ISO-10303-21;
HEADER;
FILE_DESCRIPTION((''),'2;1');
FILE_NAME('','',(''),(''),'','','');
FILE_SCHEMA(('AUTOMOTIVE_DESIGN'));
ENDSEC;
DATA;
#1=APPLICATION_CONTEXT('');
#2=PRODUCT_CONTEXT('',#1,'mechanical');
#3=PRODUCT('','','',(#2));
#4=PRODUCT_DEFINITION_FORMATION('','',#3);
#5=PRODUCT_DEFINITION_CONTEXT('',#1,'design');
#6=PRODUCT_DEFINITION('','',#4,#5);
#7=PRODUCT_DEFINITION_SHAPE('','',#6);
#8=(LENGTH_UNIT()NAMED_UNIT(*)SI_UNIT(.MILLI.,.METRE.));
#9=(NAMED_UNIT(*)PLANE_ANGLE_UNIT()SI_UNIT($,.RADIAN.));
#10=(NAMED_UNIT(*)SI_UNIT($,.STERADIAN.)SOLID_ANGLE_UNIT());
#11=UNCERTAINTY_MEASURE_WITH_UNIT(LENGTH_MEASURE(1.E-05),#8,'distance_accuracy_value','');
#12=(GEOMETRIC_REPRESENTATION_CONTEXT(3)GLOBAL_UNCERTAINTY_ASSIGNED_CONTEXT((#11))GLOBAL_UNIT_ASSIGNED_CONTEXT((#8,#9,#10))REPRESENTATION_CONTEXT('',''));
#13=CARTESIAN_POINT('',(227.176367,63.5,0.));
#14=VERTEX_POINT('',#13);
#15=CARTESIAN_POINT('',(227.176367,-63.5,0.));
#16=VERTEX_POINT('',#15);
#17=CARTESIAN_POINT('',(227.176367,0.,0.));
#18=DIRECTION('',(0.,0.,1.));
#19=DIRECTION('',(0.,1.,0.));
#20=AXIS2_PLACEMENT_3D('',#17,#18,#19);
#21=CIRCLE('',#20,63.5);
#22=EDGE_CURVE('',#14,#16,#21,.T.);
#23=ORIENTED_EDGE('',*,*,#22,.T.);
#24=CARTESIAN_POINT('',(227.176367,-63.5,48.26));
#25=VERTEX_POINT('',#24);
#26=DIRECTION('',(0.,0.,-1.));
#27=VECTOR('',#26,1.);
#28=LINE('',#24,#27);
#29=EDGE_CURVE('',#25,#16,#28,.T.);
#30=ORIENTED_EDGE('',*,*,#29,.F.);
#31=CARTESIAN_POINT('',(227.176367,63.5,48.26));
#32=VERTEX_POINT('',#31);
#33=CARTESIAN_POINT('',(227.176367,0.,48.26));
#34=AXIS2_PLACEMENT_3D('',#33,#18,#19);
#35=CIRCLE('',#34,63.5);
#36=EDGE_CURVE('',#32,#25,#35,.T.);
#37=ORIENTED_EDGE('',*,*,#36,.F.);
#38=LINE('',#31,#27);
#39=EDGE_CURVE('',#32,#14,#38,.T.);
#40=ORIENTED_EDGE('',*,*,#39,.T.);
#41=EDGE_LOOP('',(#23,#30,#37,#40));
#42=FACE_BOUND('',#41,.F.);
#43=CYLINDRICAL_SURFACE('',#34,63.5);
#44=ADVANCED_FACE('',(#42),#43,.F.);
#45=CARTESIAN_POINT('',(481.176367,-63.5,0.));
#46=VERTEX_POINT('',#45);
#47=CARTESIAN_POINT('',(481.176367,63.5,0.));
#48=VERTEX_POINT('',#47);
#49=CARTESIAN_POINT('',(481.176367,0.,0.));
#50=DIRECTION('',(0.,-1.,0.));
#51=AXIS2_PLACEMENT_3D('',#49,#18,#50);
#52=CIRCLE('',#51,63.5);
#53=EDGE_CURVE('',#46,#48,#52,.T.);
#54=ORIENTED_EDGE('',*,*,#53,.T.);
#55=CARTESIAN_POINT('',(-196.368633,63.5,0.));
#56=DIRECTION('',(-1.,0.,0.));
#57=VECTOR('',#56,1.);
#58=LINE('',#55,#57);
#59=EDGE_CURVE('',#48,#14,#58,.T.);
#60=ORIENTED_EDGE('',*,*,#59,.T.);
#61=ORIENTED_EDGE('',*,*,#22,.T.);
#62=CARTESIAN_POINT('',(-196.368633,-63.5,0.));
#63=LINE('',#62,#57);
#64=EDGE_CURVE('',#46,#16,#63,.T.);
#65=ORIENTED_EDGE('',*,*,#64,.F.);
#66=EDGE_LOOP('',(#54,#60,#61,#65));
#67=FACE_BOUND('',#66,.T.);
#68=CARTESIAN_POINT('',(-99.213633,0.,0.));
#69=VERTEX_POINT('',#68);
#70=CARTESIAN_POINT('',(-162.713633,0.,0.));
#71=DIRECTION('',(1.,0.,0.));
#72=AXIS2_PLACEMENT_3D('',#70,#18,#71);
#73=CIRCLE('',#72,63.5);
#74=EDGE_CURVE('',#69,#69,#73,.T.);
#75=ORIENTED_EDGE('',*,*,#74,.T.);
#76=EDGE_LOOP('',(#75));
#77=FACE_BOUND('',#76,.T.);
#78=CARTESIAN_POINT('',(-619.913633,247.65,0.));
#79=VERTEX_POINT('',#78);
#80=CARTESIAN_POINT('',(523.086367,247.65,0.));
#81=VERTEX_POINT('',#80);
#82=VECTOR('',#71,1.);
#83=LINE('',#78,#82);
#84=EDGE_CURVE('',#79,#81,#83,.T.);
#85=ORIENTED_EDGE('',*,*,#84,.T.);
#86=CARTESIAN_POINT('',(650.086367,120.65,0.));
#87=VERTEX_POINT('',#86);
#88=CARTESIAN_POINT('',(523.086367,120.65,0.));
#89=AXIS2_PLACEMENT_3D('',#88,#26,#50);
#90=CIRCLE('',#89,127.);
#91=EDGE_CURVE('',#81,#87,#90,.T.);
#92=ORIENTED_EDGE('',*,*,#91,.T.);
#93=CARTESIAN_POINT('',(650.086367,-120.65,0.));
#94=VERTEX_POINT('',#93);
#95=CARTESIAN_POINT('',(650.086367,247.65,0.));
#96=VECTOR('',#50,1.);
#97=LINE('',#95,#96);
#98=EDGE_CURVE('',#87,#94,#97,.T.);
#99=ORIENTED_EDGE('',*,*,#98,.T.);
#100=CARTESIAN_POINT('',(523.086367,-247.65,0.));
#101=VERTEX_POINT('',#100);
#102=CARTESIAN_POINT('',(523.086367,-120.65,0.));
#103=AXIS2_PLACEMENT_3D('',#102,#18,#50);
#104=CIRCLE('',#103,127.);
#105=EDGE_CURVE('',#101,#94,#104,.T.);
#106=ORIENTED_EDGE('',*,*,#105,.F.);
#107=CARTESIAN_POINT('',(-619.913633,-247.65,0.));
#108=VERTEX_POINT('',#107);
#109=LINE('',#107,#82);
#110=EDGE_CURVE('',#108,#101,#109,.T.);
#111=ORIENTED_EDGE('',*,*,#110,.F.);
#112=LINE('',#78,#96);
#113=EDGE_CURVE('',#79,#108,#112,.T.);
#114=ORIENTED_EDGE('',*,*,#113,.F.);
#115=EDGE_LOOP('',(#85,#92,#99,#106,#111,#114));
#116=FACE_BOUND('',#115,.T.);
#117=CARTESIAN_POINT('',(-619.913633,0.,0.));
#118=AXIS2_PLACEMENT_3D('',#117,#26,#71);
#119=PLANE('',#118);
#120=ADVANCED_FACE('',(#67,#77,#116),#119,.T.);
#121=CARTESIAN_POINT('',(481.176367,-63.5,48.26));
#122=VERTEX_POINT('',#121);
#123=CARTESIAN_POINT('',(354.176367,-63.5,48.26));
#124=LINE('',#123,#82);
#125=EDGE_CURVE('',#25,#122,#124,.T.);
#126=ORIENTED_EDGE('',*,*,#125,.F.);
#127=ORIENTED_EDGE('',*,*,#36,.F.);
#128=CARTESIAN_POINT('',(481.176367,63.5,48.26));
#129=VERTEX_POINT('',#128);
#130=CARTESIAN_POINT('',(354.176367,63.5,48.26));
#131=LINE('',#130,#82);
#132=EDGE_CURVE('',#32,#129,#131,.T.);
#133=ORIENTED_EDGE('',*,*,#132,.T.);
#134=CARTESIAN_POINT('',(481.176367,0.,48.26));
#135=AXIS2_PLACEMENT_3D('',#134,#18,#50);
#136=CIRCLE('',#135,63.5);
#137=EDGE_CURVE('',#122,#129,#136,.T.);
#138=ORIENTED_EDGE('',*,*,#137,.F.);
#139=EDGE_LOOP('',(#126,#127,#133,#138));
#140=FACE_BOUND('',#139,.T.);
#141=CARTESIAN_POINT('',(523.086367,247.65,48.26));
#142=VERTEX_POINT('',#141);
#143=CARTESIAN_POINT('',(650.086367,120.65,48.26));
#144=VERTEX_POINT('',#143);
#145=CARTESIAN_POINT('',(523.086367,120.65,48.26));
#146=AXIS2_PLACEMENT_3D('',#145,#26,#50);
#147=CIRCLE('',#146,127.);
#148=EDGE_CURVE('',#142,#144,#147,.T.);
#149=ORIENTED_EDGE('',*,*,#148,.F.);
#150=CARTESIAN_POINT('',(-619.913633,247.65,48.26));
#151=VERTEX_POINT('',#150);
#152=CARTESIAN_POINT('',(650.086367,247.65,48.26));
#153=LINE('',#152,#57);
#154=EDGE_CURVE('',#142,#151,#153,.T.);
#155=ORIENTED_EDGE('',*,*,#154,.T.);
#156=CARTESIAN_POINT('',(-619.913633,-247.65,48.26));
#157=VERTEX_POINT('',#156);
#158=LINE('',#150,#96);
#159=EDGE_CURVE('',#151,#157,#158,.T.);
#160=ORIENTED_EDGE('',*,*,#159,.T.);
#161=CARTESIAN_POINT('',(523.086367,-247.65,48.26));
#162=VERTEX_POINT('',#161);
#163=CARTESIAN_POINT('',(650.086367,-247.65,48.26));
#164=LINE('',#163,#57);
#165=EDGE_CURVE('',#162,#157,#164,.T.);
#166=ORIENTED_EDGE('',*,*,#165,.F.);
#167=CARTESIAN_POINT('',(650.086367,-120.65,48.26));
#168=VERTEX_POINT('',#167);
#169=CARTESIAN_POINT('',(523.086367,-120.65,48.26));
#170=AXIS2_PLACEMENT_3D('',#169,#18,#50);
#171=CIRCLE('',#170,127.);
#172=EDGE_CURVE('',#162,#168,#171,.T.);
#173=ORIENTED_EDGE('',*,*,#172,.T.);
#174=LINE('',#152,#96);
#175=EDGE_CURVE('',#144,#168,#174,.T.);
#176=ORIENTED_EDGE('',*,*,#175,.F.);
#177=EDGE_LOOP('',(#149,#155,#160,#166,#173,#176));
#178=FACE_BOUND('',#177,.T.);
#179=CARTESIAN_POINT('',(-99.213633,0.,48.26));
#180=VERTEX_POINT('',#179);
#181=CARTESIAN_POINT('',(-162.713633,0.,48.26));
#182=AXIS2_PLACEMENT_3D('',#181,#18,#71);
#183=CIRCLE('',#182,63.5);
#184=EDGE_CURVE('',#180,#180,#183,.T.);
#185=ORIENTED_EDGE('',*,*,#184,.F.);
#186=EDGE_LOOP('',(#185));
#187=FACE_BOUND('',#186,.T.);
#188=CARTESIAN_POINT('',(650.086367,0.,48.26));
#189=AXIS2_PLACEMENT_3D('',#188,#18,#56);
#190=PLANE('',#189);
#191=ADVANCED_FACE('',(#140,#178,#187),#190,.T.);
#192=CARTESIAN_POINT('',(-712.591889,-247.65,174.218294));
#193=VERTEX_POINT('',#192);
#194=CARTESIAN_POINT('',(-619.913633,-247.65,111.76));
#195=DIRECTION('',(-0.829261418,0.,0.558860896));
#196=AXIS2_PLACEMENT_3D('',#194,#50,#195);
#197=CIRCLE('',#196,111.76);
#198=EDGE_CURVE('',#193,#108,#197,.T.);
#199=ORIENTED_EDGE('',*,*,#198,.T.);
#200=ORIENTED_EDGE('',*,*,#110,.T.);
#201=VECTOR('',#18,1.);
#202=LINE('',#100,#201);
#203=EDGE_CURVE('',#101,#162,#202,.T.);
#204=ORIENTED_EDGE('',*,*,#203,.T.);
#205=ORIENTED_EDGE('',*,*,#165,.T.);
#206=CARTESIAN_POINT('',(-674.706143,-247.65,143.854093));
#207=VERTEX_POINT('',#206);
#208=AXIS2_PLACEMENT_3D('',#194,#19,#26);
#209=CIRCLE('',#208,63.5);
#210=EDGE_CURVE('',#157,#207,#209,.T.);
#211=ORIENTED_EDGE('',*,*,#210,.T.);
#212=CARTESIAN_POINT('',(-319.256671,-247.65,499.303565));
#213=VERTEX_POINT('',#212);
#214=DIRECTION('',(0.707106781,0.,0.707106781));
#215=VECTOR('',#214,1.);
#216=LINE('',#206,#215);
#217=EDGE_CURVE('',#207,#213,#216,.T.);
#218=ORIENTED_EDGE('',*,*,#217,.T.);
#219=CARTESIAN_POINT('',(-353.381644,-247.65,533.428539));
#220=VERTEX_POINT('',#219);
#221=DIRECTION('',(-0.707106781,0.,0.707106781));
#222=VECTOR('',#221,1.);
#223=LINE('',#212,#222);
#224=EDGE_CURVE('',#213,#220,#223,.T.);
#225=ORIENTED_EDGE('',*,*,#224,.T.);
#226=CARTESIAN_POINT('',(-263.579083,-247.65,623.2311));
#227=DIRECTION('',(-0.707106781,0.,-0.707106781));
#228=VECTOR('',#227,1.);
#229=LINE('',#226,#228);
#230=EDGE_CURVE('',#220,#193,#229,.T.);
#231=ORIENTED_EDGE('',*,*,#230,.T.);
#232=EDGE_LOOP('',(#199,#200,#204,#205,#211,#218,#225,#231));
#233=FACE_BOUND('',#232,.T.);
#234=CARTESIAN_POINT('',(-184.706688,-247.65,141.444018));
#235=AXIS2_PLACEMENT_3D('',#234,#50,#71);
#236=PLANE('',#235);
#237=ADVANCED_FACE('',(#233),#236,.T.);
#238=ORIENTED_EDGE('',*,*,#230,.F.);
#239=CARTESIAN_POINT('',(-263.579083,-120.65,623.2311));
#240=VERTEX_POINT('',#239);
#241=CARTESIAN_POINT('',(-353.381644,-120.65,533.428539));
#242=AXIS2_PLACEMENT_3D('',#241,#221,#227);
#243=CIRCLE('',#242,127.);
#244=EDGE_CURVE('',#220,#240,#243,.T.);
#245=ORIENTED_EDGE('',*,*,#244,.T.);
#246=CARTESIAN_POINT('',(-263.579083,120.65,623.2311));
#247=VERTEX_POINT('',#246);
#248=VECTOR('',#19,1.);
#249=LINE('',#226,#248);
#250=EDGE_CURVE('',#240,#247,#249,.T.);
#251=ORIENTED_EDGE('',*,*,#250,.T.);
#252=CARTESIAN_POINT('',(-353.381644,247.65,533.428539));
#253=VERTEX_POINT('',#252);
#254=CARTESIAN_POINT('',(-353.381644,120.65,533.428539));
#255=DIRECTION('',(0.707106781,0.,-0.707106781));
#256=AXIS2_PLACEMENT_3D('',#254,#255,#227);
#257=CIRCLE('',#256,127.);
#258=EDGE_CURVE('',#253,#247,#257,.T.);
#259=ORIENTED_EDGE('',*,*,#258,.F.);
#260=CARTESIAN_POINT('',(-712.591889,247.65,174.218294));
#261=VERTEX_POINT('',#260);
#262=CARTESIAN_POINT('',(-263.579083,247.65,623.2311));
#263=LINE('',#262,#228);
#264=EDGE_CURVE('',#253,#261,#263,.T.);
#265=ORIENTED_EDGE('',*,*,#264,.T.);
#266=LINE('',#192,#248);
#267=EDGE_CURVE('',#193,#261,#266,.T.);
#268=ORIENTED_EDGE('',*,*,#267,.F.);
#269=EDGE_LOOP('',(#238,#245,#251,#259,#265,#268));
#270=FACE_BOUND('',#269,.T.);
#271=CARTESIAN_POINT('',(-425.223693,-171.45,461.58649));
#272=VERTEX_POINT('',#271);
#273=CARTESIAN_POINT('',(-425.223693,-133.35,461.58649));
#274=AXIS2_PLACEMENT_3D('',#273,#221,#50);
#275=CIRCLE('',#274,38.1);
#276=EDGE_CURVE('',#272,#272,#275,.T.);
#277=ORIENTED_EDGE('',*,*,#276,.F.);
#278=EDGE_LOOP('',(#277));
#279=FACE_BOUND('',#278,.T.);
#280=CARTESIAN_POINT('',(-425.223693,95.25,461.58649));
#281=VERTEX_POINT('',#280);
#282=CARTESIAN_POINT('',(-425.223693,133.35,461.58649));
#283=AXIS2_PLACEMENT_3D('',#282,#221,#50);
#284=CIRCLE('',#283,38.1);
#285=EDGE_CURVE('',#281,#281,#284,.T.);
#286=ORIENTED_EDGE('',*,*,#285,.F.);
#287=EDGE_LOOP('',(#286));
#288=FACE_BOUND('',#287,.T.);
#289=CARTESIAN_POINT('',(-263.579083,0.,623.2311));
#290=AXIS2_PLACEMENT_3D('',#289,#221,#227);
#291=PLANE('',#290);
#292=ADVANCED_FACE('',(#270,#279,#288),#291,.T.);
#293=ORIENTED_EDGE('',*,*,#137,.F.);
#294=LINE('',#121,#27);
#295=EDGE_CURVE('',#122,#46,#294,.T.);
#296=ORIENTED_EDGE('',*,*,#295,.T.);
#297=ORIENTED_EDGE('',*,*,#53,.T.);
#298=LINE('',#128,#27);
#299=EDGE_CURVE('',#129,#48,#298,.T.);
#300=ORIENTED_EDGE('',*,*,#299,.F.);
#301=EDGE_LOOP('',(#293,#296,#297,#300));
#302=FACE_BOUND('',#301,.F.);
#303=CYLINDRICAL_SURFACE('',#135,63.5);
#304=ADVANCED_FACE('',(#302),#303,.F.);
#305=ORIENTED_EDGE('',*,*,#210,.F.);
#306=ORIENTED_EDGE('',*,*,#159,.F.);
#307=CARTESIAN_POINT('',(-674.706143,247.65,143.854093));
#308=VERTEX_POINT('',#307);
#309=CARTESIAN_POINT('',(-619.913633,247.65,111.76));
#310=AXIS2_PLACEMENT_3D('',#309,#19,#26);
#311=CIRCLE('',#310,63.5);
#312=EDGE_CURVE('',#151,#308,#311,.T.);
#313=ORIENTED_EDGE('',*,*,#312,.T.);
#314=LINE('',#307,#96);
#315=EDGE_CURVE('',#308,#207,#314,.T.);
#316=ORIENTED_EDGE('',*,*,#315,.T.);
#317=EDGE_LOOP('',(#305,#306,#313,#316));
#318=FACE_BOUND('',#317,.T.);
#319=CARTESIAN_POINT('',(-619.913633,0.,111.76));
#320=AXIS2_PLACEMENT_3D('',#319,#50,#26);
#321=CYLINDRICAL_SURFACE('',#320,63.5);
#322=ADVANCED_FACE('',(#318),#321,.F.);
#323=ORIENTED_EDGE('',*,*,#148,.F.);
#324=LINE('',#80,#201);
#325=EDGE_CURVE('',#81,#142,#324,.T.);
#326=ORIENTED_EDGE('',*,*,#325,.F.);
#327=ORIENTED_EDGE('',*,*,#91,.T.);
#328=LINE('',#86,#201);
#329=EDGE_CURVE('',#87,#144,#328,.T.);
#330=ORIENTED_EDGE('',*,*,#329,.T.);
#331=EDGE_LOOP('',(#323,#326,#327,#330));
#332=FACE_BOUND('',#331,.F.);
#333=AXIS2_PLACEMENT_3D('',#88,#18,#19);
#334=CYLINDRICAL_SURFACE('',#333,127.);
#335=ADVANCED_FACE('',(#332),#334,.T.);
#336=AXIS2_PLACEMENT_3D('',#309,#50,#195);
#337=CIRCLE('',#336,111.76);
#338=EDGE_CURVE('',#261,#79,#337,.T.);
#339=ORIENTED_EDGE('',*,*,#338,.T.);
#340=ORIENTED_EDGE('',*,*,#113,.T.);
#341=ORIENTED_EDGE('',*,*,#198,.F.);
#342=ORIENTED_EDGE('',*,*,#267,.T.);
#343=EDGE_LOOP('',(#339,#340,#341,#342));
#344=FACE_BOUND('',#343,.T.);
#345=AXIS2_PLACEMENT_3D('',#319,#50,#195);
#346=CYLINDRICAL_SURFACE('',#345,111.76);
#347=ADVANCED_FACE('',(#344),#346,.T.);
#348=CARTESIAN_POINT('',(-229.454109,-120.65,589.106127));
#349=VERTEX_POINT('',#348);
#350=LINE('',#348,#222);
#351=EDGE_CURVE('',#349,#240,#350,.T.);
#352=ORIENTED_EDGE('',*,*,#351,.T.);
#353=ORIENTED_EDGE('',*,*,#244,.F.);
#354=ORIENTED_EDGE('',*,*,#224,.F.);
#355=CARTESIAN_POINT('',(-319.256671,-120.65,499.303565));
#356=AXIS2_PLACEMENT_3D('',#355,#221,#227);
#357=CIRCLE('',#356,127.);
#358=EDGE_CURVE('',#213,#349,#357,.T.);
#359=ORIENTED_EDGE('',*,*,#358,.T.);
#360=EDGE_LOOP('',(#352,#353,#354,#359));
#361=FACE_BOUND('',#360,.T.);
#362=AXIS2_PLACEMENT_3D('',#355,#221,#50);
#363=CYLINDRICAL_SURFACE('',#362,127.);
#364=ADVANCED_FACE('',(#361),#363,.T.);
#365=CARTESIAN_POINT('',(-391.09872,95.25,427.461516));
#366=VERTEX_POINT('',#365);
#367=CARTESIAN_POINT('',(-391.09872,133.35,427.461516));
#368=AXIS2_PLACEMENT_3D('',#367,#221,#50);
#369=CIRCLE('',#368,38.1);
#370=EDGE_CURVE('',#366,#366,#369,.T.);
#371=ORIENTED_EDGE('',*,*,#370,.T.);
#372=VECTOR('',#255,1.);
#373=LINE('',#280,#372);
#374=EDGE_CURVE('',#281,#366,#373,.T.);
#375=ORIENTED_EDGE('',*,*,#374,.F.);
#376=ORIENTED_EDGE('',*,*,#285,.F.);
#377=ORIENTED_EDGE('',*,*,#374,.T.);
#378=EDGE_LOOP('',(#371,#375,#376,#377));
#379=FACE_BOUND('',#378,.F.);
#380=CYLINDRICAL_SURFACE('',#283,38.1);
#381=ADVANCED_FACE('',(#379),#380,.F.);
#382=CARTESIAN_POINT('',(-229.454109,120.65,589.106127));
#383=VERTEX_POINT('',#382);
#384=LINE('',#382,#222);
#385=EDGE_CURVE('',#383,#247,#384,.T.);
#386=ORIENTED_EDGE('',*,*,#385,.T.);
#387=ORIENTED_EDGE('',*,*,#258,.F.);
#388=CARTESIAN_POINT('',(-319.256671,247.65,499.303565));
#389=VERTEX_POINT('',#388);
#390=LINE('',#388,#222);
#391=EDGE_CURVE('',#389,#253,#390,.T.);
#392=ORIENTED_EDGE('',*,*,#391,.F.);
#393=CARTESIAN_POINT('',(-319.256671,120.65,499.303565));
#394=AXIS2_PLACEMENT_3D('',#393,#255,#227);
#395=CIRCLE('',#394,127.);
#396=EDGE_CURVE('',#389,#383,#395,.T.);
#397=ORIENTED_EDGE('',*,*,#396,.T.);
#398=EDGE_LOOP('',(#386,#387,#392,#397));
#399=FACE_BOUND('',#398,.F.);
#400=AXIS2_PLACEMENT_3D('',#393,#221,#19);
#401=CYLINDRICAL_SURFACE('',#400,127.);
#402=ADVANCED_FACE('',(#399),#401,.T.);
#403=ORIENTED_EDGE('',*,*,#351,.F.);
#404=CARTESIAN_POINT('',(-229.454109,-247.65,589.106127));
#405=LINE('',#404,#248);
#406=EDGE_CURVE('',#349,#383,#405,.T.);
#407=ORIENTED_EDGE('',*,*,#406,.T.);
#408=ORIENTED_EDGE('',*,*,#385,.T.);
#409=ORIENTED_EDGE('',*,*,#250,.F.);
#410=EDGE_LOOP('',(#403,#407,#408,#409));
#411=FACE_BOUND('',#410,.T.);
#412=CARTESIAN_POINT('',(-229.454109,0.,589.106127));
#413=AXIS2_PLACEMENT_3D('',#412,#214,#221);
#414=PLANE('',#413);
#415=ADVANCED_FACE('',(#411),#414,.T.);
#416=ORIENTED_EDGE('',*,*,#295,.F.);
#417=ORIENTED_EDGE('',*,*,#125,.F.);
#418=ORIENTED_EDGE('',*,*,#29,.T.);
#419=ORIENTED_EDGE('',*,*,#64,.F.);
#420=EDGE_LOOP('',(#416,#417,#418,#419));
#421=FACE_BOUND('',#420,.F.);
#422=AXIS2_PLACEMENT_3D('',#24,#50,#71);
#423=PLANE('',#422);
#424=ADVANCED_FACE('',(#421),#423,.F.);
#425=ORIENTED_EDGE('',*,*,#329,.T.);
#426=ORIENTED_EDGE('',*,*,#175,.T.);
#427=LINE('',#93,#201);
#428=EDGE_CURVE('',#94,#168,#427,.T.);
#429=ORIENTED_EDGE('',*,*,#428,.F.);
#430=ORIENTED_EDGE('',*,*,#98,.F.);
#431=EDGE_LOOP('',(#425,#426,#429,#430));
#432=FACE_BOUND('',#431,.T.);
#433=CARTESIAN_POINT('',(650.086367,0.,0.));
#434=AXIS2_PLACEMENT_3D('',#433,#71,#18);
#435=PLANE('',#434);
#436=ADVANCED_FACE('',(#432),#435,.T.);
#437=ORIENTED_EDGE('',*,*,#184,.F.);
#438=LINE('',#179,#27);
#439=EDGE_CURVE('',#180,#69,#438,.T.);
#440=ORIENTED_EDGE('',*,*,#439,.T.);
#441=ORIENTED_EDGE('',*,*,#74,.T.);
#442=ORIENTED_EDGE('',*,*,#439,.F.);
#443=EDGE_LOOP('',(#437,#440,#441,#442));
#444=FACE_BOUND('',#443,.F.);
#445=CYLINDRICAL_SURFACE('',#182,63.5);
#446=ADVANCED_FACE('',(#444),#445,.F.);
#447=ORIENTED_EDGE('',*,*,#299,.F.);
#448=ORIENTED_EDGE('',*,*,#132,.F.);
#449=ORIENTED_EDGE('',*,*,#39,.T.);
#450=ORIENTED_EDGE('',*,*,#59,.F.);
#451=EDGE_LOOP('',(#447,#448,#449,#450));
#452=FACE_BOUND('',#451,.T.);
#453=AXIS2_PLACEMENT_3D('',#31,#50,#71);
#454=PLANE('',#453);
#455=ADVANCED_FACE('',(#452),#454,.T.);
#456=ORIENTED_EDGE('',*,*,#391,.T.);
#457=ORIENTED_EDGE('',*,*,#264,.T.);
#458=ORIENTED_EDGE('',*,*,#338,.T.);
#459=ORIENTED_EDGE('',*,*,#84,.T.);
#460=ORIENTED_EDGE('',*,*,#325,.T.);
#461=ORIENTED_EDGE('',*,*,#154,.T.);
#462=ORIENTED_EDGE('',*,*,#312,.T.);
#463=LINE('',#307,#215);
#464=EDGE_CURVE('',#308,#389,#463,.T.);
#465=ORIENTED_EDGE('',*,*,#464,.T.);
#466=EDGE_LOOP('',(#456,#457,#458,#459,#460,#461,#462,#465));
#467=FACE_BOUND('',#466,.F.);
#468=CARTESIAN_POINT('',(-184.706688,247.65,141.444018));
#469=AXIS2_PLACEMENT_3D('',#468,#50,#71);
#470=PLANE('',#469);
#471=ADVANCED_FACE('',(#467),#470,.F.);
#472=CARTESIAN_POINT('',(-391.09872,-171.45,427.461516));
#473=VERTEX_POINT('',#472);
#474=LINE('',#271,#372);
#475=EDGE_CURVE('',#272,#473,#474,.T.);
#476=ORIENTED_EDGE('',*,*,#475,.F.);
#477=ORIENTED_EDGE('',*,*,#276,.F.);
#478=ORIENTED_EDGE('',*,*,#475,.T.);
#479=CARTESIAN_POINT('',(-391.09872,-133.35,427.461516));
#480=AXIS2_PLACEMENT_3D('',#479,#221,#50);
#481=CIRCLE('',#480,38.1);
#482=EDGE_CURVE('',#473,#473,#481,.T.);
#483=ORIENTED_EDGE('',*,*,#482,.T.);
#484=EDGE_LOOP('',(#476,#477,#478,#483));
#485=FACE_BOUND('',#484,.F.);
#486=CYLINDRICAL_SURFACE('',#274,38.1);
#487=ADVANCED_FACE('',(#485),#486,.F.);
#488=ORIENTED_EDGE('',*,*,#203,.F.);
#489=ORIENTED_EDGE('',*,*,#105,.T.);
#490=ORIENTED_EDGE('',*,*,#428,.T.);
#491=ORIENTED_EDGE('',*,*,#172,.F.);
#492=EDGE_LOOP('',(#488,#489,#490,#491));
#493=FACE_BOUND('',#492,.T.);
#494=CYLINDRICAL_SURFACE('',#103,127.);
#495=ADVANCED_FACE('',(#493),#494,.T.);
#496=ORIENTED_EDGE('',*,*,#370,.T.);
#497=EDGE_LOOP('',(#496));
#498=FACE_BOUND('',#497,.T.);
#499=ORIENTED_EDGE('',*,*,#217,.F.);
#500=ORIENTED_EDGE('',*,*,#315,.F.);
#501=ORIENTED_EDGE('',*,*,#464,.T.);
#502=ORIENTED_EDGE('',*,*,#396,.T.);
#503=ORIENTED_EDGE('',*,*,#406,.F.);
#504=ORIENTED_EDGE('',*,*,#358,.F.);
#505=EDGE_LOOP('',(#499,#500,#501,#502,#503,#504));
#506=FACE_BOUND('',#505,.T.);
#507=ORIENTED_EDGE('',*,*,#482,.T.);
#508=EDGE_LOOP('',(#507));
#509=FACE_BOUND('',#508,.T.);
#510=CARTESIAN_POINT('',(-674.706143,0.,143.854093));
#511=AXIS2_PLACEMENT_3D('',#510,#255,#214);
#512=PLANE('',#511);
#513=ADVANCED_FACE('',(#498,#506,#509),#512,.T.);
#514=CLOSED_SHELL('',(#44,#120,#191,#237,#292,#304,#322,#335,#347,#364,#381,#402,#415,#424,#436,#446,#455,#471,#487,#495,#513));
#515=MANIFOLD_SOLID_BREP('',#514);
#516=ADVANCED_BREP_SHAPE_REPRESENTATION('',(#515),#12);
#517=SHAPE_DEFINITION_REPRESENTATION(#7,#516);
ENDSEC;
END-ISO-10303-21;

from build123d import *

# Parameters (mm, degrees)
F1_DEPTH = 247.65
F2_R     = 63.5
F3_DEPTH = 48.261
F2_W     = 254
F2_H     = 127
F4_DEPTH = 48.261
F5_R     = 38.1
F6_DEPTH = 218.44
F7_DEPTH = 218.44
F8_R     = 127


with BuildPart() as f1:
    # F0 (on Front) → F1 (new body, symmetric)
    with BuildSketch(Plane.XZ):
        with BuildLine():
            ThreePointArc((-712.5918887531, 174.2182937558), (-718.5813490984, 59.272102872), (-619.9136327213, 0))
            Line((-619.9136327213, 0), (650.0863672787, 0))
            Line((650.0863672787, 0), (650.0863672787, 48.26))
            Line((650.0863672787, 48.26), (-619.9136327213, 48.26))
            ThreePointArc((-619.9136327213, 48.26), (-675.0054873243, 80.18251504), (-674.7061432771, 143.8540927118))
            Line((-674.7061432771, 143.8540927118), (-229.4541094396, 589.1061265492))
            Line((-229.4541094396, 589.1061265492), (-263.5790826997, 623.2310998093))
            Line((-263.5790826997, 623.2310998093), (-712.5918887531, 174.2182937558))
        make_face()
    extrude(amount=F1_DEPTH, both=True)

    # F2 (on face) → F3 (cut, through all)
    with BuildSketch(Plane.XY.offset(48.26)):
        with Locations((-162.7136327213, 0)):
            Circle(F2_R)
    extrude(amount=-F3_DEPTH, mode=Mode.SUBTRACT)

    # F2 (on face) → F4 (cut, through all)
    with BuildSketch(Plane.XY.offset(48.26)):
        with Locations((354.1763672787, 0)):
            Rectangle(F2_W, F2_H)
        with BuildLine():
            ThreePointArc((227.1763672787, 63.5), (163.6763672787, 0), (227.1763672787, -63.5))
            Line((227.1763672787, -63.5), (227.1763672787, 63.5))
        make_face()
        with BuildLine():
            Line((481.1763672787, 63.5), (481.1763672787, -63.5))
            ThreePointArc((481.1763672787, -63.5), (544.6763672787, 0), (481.1763672787, 63.5))
        make_face()
    extrude(amount=-F4_DEPTH, mode=Mode.SUBTRACT)

    # F5 (on face) → F6 (cut)
    with BuildSketch(Plane(origin=(-443.4050912545, 0, 443.4050912545), x_dir=(0, -1, 0), z_dir=(-0.7071067812, 0, 0.7071067812))):
        with Locations((133.35, 25.7123801656)):
            Circle(F5_R)
    extrude(amount=-F6_DEPTH, mode=Mode.SUBTRACT)

    # F5 (on face) → F7 (cut)
    with BuildSketch(Plane(origin=(-443.4050912545, 0, 443.4050912545), x_dir=(0, -1, 0), z_dir=(-0.7071067812, 0, 0.7071067812))):
        with Locations((-133.35, 25.7123801656)):
            Circle(F5_R)
    extrude(amount=-F7_DEPTH, mode=Mode.SUBTRACT)

    # F8
    f8_edges = [f1.edges().sort_by_distance(p)[0] for p in [
        (650.086367, -247.65, 24.13),
        (650.086367, 247.65, 24.13),
        (-246.516596, -247.65, 606.168613),
        (-246.516596, 247.65, 606.168613),
    ]]
    fillet(f8_edges, radius=F8_R)


solid = f1.part
